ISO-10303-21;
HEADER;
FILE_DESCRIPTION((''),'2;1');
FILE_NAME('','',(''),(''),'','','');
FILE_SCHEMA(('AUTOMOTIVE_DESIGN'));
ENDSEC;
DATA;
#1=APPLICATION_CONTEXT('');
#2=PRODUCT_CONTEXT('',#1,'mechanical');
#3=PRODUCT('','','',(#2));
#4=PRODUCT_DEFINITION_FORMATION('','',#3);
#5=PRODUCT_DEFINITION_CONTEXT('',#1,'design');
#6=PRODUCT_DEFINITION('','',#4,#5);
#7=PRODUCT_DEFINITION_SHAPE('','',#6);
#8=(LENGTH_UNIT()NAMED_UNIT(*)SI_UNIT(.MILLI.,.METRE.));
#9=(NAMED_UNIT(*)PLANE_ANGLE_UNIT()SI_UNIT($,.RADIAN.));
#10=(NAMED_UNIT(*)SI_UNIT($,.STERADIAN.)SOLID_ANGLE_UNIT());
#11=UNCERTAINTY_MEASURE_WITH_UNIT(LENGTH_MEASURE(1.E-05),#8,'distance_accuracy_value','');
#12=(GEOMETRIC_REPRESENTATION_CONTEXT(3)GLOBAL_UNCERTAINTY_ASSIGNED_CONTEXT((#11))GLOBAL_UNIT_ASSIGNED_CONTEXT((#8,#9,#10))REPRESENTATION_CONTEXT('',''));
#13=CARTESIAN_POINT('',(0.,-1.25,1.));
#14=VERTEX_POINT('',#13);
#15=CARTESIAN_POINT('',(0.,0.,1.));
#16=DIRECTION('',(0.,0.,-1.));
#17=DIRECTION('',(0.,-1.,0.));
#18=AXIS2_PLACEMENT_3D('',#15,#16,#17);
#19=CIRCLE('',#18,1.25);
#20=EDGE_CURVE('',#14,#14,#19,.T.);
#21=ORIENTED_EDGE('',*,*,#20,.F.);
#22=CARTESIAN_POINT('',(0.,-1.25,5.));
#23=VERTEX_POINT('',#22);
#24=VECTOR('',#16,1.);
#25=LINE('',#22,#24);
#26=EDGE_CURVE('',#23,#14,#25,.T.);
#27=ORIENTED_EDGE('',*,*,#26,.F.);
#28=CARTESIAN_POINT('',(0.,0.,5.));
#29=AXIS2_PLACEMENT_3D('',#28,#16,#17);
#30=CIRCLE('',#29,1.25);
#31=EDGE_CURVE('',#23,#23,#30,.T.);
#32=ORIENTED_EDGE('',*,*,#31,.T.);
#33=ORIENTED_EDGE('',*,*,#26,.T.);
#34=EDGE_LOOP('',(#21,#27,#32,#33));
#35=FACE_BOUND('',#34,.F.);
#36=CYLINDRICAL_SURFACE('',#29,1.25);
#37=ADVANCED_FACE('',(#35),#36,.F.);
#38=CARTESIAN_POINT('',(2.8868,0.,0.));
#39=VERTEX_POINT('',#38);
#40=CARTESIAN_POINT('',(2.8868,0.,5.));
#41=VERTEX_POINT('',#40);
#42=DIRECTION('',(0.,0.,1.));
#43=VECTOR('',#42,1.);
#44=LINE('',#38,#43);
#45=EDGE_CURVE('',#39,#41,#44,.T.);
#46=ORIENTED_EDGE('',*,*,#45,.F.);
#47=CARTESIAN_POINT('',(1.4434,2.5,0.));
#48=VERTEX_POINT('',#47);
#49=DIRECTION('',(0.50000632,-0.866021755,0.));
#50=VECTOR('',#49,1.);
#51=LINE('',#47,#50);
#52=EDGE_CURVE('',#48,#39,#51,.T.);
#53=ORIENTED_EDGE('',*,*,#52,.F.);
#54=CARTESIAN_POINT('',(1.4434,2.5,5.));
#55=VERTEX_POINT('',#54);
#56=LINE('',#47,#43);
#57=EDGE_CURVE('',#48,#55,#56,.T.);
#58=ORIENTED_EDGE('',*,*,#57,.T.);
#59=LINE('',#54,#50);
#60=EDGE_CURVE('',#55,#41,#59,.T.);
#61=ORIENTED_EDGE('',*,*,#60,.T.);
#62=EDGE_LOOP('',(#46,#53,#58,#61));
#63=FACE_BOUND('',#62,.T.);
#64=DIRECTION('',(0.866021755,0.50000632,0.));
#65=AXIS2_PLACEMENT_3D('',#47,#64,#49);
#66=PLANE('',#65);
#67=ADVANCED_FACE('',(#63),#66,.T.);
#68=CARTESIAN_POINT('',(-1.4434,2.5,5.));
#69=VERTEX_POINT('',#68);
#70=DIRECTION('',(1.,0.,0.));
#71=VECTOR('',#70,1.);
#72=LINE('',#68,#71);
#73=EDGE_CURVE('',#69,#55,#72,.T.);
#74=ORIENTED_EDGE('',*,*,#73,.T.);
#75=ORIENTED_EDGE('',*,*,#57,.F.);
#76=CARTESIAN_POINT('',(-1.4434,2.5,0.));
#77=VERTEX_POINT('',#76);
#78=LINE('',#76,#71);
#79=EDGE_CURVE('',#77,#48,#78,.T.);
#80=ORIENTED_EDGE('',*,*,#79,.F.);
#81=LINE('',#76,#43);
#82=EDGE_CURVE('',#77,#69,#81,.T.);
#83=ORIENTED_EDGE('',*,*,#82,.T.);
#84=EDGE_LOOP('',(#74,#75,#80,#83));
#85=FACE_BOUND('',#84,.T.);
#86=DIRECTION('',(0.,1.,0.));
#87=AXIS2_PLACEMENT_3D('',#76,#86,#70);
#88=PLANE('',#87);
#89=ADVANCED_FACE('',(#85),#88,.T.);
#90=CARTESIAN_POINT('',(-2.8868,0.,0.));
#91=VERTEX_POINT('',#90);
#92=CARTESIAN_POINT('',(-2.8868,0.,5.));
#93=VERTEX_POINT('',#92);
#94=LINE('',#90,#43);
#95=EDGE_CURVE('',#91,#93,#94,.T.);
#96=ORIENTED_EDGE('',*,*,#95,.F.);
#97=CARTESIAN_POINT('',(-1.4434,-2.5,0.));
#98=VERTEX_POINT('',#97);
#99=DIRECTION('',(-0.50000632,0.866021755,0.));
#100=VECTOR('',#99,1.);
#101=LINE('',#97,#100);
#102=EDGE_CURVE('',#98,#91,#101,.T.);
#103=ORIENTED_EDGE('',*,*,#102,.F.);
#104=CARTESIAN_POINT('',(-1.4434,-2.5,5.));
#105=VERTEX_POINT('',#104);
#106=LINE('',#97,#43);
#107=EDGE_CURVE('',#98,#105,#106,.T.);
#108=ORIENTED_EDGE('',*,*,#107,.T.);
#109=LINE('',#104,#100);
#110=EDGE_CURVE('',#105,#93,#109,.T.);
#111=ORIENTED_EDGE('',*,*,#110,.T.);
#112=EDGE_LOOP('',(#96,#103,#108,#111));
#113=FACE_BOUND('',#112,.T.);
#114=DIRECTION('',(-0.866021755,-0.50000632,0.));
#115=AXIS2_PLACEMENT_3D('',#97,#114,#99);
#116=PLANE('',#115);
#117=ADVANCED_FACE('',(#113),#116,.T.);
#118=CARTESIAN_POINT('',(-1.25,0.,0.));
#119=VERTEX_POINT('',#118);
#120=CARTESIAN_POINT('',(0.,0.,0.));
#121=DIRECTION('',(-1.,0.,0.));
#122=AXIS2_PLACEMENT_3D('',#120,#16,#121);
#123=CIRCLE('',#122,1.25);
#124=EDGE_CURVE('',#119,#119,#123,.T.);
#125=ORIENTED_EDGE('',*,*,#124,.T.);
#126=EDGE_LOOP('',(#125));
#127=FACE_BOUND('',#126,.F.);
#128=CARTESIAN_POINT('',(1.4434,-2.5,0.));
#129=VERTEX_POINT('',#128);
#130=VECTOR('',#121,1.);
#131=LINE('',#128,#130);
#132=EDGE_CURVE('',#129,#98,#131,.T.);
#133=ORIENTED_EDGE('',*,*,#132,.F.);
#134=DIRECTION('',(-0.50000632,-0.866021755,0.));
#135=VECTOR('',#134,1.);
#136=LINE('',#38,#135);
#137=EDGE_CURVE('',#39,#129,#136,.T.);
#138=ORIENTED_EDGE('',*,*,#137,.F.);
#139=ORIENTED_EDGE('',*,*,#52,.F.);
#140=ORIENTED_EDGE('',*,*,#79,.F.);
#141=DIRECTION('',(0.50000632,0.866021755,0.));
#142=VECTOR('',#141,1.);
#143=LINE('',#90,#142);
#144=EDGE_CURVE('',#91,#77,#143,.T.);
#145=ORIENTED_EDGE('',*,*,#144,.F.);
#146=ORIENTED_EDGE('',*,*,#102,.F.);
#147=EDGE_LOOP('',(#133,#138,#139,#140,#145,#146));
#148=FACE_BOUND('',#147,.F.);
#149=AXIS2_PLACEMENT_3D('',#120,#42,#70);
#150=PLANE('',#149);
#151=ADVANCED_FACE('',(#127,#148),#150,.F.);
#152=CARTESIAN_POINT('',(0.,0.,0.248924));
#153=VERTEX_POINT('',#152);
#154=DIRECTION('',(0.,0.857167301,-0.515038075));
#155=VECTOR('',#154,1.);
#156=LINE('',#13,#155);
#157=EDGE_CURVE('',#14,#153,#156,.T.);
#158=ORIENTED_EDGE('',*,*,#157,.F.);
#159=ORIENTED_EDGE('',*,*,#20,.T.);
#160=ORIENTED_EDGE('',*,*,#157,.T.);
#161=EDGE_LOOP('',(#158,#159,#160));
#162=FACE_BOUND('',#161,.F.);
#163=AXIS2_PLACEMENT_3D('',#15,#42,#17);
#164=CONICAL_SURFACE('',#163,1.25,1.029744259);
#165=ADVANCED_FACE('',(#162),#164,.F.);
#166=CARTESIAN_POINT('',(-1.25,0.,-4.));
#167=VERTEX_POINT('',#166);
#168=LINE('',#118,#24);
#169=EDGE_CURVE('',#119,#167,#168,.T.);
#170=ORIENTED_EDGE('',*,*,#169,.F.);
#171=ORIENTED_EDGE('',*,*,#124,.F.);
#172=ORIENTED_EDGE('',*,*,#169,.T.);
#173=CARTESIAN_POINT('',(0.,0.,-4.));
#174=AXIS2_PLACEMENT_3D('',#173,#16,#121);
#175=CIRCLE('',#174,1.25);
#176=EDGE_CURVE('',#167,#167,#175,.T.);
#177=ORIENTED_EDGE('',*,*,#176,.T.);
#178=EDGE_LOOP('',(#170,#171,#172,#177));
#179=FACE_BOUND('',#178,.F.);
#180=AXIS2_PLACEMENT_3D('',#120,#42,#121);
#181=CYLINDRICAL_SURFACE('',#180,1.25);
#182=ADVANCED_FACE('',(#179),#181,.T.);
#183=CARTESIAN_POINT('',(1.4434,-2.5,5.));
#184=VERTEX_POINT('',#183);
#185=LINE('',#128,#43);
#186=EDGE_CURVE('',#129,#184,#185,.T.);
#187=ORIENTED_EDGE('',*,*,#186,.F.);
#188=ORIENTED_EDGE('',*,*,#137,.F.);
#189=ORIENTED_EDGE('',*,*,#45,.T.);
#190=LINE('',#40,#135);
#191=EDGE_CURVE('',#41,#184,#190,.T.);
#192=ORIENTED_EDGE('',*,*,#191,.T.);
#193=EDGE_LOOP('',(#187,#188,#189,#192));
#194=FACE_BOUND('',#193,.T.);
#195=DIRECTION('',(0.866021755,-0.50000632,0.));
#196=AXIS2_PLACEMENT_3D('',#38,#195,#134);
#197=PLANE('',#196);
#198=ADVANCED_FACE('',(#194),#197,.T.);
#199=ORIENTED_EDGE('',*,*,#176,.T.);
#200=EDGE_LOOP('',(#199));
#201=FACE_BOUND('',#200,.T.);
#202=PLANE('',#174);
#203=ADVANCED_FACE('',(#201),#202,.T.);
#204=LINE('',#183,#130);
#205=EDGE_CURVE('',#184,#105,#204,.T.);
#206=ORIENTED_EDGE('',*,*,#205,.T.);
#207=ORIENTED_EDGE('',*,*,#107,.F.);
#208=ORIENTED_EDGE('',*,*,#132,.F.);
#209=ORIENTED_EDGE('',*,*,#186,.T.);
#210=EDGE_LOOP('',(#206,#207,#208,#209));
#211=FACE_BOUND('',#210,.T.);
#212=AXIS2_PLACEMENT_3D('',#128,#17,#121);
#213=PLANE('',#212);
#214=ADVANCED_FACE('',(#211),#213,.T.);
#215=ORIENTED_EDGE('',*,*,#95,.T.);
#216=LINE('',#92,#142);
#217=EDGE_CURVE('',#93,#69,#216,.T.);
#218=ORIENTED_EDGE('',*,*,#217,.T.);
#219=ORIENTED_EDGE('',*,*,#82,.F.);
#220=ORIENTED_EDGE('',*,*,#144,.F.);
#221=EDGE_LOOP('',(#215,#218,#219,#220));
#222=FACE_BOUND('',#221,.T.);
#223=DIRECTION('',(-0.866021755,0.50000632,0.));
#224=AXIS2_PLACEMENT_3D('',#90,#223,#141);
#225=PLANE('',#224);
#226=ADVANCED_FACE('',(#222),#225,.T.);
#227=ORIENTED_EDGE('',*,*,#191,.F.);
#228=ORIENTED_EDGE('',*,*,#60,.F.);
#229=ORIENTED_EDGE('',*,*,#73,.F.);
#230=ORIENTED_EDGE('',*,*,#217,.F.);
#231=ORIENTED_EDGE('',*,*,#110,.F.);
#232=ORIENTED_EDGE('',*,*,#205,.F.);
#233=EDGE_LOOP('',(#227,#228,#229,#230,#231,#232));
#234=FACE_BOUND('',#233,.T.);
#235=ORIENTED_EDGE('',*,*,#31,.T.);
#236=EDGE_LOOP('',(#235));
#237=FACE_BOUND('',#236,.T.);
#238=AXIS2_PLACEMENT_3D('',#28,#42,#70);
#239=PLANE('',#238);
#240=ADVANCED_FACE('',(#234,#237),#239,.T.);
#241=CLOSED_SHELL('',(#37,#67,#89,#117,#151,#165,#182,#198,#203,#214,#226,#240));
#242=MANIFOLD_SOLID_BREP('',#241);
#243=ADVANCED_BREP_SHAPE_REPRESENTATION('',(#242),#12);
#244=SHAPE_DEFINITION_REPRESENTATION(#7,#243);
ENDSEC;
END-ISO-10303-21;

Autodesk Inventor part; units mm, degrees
ref_plane "YZ Plane" through (0, 0, 0) normal (1, 0, 0) x (0, 1, 0)
ref_plane "XZ Plane" through (0, 0, 0) normal (0, 1, 0) x (-1, 0, 0)
ref_plane "XY Plane" through (0, 0, 0) normal (0, 0, 1) x (1, 0, 0)
sketch "Skizze1" plane through (0, 0, 0) normal (0, 0, 1) x (1, 0, 0)
  line L0 (-1.4434, 2.5) -> (1.4434, 2.5)
  line L1 (1.4434, 2.5) -> (2.8868, 0)
  line L2 (2.8868, 0) -> (1.4434, -2.5)
  line L3 (1.4434, -2.5) -> (-1.4434, -2.5)
  line L4 (-1.4434, -2.5) -> (-2.8868, 0)
  line L5 (-2.8868, 0) -> (-1.4434, 2.5)
  point P0 (0, 0)
  point P1 (0, 0)
  point P2 (0, 2.5)
  point P3 (0, -2.5)
  dimension "d3" = 120
  dimension "d4" = 120
  dimension "d5" = 120
  dimension "d6" = 5
extrude "Extrusion1" add sketch "Skizze1" along normal blind 5
sketch "Skizze2" plane through (0, 0, 5) normal (0, 0, 1) x (1, 0, 0)
  point P0 (0, 0)
  point P1 (0, 0)
hole "Bohrung1" at (0, 0, 5) direction (0, 0, -1) diameter 2.5 depth 4 tip angle 118
thread "Gewinde1" size "M2.5x0.45" class "6H" standard "ANSI Metric M Profile" full length
sketch "Skizze3" plane through (0, 0, 0) normal (0, 0, -1) x (-1, 0, 0)
  circle A0 centre (0, 0) radius 1.25
  dimension "d18" = 2.5
extrude "Extrusion2" add sketch "Skizze3" along normal blind 4
thread "Gewinde2" size "M2.5x0.45" class "6g" standard "ANSI Metric M Profile" full length
properties part number "5mm_Außengewinde"
